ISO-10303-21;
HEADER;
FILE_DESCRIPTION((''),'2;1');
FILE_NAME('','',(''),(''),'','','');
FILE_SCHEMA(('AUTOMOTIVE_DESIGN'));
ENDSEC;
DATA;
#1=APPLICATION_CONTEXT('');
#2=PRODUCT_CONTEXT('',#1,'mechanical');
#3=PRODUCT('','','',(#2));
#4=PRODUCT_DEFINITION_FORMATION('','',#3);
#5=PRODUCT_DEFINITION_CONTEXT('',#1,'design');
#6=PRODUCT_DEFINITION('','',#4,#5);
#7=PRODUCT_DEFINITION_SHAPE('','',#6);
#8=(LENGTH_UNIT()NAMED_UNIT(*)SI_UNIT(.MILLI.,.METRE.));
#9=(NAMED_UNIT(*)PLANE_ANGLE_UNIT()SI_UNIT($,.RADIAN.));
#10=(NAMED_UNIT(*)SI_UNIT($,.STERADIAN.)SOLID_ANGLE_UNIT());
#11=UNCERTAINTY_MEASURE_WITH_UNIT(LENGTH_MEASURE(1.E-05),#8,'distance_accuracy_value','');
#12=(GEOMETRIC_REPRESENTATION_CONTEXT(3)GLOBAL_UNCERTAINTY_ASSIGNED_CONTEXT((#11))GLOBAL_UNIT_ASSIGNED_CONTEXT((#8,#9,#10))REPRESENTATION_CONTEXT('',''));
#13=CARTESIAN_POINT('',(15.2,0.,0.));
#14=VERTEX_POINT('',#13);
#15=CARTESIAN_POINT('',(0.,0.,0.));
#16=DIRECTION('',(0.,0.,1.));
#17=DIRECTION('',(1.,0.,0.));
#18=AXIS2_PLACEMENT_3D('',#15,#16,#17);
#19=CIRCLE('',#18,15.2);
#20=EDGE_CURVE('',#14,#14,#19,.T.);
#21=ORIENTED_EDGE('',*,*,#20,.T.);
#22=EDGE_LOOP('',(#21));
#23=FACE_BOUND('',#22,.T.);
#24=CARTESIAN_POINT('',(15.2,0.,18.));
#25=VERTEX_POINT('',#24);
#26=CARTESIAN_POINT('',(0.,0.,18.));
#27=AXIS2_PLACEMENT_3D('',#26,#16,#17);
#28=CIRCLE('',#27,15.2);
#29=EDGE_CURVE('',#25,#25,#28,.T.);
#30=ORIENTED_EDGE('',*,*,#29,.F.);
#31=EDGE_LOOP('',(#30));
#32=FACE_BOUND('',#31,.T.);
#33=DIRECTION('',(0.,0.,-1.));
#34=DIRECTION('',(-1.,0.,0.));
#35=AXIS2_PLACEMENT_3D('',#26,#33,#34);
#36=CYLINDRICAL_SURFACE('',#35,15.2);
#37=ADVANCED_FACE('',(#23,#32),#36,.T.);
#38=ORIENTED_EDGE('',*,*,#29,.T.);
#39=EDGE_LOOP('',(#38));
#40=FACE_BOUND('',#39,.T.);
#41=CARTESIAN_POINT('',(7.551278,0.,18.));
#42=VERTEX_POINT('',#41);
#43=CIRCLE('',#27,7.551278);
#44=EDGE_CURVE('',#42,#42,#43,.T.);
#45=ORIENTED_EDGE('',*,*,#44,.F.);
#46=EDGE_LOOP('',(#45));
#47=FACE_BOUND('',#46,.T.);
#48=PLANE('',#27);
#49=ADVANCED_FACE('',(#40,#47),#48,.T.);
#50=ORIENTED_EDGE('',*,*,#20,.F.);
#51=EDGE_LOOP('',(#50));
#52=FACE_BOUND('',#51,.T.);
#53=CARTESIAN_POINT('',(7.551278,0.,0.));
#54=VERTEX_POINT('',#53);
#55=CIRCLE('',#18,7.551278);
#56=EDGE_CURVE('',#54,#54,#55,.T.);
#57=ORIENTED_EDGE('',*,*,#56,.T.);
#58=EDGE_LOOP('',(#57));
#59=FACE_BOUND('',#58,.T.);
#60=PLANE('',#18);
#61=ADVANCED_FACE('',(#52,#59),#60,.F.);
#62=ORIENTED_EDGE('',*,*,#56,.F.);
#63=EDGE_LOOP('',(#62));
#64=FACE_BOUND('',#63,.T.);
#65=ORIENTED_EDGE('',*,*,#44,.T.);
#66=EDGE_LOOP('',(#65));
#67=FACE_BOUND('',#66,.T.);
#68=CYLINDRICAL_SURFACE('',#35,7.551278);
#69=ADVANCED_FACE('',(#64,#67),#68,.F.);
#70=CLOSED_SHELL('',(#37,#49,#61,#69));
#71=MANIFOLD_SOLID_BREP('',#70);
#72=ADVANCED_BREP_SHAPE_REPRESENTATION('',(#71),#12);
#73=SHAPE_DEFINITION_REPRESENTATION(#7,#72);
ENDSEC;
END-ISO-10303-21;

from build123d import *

# Parameters (mm, degrees)
SKETCH1_R           = 15.2
SKETCH1_R_2         = 7.551278112
BOSS_EXTRUDE1_DEPTH = 18


with BuildPart() as part:
    # Sketch1 → Boss-Extrude1 (new body)
    with BuildSketch(Plane.XY):
        Circle(SKETCH1_R)
        Circle(SKETCH1_R_2, mode=Mode.SUBTRACT)
    extrude(amount=BOSS_EXTRUDE1_DEPTH)


solid = part.part
